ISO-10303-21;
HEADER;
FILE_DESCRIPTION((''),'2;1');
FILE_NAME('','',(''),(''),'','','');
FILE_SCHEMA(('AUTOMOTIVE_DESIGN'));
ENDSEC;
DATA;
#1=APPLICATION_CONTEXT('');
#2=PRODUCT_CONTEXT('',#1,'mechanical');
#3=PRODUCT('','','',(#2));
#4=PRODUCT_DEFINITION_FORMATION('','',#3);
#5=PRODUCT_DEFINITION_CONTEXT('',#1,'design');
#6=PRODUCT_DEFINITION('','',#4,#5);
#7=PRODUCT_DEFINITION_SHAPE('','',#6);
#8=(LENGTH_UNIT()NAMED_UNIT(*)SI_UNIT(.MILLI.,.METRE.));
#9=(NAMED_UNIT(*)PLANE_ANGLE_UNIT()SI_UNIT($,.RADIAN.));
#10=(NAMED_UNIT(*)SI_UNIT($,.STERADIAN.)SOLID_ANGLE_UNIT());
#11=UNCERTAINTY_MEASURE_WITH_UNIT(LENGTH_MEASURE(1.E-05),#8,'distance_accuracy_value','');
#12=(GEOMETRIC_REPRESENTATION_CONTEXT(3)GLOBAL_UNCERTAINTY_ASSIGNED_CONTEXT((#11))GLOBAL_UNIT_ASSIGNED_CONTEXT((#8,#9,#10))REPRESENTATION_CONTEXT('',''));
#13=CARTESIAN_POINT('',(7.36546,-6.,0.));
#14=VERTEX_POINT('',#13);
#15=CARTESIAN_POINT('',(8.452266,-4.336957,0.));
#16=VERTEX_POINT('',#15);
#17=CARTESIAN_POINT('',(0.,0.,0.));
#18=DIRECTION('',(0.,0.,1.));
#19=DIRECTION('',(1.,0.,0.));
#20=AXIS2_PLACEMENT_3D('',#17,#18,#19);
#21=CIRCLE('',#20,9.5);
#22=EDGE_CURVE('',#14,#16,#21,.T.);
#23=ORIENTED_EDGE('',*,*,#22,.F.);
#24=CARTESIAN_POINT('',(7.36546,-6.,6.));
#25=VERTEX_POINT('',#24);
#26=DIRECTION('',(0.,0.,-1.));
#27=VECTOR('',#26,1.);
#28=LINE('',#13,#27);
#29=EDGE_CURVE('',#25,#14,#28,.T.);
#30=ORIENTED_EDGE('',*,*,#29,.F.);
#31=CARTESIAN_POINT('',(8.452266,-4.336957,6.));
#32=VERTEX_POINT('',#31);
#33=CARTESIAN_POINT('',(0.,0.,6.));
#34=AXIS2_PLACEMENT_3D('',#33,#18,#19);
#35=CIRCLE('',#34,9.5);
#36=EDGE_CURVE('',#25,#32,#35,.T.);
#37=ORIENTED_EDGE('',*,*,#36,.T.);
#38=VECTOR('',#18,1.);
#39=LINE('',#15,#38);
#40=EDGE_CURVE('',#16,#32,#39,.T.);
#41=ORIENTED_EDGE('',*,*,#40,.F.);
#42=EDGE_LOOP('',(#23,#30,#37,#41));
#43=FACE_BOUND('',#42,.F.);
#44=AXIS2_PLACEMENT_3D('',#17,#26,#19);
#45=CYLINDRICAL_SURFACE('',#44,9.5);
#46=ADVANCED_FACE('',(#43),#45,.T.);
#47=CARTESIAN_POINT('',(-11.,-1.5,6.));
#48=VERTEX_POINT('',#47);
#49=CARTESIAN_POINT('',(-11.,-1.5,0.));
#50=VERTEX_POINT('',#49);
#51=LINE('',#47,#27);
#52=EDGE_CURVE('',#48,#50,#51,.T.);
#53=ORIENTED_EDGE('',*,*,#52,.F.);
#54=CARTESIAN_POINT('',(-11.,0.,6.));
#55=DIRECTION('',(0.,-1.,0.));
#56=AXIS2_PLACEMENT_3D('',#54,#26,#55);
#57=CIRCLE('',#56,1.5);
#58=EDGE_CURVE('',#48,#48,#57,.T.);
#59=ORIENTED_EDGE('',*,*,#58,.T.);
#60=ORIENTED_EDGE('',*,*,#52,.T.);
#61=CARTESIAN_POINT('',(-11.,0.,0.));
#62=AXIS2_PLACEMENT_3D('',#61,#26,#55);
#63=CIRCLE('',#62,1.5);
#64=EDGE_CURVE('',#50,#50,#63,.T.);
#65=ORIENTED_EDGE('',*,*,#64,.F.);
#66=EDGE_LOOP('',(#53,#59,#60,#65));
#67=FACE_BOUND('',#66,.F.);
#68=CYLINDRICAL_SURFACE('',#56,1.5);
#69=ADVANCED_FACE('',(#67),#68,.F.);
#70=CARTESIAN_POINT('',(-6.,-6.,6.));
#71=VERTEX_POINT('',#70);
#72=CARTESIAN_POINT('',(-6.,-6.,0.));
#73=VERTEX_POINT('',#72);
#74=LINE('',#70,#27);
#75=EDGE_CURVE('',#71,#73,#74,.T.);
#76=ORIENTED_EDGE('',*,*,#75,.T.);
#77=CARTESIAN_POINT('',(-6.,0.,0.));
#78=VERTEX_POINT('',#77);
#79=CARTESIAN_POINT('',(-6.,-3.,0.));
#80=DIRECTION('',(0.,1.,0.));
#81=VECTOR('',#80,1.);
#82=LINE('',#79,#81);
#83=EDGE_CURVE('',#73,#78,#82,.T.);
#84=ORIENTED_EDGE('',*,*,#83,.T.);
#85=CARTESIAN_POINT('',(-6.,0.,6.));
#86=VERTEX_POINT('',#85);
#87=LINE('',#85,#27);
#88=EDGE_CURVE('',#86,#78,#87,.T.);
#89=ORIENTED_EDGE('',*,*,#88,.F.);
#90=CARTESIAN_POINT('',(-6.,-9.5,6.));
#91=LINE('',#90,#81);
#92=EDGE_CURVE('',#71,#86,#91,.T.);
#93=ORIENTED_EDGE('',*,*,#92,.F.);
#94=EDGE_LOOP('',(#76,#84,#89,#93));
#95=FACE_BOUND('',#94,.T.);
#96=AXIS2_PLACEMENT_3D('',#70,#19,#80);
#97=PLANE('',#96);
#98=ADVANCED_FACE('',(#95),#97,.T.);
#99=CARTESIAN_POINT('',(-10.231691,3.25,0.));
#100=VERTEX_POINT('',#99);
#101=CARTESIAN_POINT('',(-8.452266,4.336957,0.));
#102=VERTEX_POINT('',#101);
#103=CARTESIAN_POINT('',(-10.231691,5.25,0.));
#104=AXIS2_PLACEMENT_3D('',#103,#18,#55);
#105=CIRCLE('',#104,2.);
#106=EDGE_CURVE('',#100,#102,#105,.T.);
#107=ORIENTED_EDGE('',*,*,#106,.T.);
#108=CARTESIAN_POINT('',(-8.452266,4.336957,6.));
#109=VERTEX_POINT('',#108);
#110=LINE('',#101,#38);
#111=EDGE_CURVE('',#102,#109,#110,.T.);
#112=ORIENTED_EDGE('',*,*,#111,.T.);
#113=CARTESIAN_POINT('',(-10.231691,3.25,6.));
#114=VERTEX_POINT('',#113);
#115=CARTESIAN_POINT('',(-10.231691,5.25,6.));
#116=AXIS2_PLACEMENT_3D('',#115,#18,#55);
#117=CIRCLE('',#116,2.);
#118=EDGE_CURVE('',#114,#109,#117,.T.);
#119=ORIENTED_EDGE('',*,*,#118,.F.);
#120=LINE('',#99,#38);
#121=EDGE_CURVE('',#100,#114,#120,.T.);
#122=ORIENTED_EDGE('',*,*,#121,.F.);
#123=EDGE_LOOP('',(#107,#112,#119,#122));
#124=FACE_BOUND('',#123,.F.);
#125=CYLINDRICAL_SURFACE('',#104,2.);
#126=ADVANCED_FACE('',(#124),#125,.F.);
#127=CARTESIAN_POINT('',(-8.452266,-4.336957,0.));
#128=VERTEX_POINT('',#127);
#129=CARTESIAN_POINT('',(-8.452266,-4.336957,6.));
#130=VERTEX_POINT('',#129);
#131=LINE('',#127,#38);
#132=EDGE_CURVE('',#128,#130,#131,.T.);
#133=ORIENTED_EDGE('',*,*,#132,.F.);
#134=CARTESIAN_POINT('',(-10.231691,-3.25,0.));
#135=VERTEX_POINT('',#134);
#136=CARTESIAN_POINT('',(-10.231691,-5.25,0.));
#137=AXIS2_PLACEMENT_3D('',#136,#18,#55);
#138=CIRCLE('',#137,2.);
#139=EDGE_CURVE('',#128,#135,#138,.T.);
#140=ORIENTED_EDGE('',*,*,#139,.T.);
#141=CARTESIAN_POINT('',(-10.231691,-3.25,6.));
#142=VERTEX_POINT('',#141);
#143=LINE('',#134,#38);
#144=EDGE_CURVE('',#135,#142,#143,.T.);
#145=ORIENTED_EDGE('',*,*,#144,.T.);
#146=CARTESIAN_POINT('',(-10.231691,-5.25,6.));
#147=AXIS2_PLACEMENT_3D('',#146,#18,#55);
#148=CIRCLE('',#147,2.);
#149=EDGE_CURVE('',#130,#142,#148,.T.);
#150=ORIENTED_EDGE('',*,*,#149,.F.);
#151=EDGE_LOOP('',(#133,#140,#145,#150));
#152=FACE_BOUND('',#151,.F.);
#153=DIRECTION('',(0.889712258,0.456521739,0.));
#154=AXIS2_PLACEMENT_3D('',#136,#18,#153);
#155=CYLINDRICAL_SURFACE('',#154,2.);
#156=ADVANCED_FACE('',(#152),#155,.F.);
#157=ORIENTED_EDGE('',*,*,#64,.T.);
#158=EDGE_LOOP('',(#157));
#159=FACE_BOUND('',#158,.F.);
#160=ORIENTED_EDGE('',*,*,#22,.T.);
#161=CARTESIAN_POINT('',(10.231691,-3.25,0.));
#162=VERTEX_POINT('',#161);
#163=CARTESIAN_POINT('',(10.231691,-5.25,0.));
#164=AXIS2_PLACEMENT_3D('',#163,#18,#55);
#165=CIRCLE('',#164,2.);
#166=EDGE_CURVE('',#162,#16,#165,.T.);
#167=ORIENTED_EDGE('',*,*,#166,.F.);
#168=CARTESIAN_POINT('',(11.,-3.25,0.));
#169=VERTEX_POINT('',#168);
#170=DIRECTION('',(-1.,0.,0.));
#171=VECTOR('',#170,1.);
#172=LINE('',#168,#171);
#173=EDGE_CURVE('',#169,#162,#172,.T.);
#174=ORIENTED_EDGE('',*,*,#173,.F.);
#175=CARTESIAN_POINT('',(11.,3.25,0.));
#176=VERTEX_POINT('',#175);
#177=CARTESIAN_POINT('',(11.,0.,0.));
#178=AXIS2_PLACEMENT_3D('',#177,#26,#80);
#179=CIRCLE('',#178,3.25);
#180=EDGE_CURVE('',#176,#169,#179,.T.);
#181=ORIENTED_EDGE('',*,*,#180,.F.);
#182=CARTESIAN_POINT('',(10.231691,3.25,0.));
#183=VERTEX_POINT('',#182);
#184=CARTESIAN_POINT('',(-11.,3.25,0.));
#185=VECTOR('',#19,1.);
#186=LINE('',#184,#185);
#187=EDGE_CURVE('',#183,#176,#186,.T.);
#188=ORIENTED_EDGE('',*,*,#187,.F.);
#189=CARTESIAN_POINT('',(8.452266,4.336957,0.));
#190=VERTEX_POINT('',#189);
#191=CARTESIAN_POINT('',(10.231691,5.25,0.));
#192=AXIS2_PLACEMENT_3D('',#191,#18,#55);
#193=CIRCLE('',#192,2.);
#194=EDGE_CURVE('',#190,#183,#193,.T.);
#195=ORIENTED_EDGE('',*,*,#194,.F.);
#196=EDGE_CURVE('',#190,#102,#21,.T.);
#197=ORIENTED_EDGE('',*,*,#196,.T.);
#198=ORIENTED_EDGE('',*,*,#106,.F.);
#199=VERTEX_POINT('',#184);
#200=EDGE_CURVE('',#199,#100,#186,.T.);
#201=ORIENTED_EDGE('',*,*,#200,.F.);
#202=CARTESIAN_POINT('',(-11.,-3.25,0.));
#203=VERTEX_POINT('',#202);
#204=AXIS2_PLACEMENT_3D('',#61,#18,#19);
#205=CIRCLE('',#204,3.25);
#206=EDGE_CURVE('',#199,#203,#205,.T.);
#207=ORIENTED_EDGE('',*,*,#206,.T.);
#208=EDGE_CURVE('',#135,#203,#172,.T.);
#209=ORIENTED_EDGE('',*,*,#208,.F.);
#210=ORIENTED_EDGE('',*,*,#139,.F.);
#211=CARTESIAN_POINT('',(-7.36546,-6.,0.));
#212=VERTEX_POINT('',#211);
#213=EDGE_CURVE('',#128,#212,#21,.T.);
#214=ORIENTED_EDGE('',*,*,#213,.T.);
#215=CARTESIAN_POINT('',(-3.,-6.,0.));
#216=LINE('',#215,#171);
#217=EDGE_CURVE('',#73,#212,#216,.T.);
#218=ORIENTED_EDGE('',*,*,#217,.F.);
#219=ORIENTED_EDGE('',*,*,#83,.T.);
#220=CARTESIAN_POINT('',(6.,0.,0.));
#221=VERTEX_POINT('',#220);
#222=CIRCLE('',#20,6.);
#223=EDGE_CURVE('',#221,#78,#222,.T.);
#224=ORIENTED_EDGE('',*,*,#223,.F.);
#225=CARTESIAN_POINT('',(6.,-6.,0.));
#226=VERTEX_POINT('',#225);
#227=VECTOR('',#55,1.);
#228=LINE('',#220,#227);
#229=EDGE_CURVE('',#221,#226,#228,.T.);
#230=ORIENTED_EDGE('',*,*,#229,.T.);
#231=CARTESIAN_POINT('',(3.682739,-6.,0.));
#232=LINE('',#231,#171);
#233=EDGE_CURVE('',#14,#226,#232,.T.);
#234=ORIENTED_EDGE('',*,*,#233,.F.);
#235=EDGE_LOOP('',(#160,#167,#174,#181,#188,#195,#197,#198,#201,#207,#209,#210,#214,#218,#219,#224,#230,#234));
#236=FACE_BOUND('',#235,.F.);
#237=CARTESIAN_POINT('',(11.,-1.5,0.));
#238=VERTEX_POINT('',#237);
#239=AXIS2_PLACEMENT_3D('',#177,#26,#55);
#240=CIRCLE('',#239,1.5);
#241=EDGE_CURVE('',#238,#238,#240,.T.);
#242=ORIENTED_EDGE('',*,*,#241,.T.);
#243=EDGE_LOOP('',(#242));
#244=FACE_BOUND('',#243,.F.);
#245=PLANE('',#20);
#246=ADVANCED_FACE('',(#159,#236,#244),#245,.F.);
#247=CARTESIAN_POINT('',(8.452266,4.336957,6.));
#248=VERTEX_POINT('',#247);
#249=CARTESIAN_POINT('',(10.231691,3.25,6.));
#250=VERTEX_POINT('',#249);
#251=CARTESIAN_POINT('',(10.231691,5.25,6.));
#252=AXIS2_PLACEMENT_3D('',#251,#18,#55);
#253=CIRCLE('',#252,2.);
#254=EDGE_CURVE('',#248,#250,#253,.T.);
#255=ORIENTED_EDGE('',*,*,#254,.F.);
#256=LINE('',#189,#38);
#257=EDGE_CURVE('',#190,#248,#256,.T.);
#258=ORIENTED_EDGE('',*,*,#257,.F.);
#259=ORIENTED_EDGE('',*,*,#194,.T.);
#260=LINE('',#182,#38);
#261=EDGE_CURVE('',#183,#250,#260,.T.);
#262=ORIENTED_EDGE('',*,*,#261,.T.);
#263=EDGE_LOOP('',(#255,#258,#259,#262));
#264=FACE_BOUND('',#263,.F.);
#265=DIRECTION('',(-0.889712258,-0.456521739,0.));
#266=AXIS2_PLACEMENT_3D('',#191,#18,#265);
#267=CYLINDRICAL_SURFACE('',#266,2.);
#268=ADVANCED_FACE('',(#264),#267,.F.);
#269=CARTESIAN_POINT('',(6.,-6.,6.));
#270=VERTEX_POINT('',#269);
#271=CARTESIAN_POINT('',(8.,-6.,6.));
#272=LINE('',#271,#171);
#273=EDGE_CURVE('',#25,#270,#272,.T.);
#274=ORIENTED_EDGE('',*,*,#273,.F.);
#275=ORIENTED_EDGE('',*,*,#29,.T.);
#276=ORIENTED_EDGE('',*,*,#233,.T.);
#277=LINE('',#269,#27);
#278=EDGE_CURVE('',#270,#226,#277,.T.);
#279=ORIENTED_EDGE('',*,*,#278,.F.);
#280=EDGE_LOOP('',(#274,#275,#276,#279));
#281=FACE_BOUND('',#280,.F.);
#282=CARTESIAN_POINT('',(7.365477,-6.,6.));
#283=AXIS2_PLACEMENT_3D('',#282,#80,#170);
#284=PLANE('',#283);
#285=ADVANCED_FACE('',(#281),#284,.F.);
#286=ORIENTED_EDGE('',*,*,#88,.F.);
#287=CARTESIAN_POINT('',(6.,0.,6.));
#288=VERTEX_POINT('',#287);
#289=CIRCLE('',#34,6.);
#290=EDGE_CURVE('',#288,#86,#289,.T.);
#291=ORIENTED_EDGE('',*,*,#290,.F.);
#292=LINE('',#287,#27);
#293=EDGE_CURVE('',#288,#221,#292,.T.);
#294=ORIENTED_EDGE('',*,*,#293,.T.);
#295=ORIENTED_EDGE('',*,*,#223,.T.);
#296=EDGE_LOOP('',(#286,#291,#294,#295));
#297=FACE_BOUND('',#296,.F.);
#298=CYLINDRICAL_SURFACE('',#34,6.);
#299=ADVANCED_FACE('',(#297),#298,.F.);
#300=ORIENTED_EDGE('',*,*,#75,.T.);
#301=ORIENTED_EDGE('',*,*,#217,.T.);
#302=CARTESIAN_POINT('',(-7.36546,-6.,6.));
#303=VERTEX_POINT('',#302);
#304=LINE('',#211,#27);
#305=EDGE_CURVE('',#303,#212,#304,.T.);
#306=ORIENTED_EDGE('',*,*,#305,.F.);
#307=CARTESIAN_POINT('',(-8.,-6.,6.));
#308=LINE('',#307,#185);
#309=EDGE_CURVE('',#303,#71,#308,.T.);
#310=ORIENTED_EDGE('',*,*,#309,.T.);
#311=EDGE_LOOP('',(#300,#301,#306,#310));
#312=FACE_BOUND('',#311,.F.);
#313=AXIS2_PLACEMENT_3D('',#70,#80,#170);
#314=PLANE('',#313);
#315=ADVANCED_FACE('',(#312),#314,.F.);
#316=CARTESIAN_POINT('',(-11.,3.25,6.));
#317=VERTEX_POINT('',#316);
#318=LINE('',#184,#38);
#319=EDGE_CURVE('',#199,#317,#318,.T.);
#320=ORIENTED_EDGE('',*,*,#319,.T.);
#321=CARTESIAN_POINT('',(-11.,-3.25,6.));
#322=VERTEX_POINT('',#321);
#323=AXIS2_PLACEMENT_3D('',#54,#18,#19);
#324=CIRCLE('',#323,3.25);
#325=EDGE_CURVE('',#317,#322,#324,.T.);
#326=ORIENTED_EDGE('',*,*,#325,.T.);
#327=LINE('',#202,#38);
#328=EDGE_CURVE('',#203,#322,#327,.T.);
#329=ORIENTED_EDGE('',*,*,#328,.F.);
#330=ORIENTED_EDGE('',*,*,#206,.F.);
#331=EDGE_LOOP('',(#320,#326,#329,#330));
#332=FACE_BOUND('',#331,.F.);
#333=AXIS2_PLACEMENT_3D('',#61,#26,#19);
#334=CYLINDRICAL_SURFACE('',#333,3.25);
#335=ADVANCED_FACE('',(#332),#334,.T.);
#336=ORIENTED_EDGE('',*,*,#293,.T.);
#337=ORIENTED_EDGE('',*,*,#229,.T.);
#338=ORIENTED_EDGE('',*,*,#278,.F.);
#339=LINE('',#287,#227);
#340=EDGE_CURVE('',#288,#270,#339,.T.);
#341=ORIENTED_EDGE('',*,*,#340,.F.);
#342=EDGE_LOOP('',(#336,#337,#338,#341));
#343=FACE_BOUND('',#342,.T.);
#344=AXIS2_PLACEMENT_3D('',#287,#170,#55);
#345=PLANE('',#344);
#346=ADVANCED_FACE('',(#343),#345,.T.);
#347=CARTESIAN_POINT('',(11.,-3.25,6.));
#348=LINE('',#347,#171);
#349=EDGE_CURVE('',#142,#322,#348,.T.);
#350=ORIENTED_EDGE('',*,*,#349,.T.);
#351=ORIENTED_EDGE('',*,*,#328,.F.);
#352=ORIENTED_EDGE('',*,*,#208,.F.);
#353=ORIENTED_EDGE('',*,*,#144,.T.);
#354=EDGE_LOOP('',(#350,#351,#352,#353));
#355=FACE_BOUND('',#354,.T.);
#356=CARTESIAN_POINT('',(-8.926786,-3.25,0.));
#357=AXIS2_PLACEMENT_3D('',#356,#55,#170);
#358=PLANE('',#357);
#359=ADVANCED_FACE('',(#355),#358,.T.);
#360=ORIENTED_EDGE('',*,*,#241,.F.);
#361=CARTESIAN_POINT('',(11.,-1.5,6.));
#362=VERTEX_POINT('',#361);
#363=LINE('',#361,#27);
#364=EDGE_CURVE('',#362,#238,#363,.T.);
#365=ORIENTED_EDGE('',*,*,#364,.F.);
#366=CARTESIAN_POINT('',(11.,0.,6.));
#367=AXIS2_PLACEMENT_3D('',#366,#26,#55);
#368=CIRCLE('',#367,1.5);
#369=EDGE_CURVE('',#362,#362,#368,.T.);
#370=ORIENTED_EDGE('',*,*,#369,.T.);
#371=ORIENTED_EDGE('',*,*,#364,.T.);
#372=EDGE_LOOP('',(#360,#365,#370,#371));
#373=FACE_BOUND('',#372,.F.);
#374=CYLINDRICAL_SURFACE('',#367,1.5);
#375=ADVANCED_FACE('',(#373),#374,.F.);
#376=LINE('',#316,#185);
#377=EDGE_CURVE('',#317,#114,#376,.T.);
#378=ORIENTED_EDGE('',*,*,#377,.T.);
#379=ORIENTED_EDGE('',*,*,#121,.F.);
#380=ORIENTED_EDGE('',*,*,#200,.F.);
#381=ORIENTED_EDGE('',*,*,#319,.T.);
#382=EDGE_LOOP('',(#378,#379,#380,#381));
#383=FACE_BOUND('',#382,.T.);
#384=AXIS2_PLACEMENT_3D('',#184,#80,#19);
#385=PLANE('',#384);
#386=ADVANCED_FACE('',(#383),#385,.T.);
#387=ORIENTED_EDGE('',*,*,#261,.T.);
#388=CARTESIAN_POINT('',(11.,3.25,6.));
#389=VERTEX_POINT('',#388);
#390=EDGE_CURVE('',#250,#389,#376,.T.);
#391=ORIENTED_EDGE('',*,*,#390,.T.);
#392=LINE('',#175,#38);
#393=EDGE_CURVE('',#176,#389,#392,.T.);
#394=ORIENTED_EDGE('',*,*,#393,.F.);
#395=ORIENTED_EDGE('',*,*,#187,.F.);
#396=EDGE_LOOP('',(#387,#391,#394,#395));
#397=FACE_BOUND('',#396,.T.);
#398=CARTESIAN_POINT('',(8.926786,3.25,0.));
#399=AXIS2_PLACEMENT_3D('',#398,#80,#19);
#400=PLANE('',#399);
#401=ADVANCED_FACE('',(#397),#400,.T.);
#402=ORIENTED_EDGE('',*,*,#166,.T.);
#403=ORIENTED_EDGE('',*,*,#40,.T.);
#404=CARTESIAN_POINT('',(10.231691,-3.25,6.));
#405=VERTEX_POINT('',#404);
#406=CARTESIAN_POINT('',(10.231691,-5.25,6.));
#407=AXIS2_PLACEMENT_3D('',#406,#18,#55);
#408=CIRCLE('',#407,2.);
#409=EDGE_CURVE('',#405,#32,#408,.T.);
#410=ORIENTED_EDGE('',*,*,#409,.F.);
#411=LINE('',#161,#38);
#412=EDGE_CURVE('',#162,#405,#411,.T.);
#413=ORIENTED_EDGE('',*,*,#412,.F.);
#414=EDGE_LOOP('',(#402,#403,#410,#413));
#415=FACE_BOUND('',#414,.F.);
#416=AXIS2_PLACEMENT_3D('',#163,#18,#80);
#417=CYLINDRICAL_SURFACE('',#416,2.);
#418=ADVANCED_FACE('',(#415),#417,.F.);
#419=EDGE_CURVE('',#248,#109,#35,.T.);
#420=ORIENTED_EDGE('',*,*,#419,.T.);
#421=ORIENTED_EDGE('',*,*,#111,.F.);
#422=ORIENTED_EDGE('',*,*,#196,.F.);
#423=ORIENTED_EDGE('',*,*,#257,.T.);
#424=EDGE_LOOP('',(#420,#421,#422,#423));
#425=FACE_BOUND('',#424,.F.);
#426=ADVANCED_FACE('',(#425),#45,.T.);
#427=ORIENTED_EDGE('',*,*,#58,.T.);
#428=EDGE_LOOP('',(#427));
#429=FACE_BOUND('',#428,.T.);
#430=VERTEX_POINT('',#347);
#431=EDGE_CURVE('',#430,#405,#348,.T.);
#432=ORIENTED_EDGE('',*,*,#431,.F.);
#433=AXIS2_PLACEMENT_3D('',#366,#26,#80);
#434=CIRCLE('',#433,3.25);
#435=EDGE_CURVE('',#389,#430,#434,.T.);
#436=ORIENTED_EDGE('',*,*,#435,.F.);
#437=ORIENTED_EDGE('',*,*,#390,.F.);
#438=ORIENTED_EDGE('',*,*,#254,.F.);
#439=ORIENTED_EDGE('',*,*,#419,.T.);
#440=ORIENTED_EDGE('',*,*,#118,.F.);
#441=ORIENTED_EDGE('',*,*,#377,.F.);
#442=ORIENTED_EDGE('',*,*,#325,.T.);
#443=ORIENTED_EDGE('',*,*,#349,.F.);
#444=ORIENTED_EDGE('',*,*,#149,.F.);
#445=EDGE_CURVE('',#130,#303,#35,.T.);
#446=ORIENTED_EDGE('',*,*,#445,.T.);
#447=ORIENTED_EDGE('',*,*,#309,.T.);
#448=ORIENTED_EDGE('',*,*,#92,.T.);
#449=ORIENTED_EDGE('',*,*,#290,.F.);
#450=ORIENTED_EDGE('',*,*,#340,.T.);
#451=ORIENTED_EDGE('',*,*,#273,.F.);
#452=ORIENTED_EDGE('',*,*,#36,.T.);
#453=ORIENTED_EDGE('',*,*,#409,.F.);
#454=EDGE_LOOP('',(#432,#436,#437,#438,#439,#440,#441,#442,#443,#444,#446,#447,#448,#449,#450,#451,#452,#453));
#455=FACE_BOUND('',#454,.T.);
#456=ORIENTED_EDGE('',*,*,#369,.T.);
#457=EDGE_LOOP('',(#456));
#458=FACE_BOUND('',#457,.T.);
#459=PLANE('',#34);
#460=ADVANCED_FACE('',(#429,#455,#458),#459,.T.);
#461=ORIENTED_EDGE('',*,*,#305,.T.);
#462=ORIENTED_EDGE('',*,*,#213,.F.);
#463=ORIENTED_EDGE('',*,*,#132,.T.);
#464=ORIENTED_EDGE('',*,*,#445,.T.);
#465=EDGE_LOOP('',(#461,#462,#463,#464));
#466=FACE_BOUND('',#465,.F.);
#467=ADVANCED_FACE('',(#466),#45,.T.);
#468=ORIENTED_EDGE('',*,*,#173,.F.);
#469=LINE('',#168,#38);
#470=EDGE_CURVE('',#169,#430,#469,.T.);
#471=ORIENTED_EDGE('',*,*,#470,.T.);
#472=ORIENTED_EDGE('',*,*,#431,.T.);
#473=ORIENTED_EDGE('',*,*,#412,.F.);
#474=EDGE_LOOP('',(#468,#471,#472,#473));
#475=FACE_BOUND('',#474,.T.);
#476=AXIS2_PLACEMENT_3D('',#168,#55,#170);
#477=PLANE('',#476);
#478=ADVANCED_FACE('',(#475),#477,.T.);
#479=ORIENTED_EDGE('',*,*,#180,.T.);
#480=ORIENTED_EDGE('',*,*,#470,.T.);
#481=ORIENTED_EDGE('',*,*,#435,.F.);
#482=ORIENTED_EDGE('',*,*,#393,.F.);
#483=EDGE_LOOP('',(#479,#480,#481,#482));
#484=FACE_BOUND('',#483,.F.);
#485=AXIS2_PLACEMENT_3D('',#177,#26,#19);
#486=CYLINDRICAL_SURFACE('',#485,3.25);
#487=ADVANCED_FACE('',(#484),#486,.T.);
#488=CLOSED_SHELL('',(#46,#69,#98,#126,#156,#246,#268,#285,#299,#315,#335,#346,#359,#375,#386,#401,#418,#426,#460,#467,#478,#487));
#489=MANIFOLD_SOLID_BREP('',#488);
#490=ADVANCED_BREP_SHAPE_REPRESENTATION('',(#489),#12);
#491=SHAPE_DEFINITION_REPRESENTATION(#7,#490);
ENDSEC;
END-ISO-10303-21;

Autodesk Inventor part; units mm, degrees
ref_plane "YZ Plane" through (0, 0, 0) normal (1, 0, 0) x (0, 1, 0)
ref_plane "XZ Plane" through (0, 0, 0) normal (0, 1, 0) x (-1, 0, 0)
ref_plane "XY Plane" through (0, 0, 0) normal (0, 0, 1) x (1, 0, 0)
sketch "Sketch1" plane through (0, 0, 0) normal (0, 0, 1) x (1, 0, 0)
  circle A0 centre (0, 0) radius 9.5
  circle A1 centre (-11, 0) radius 3.25
  circle A2 centre (11, 0) radius 3.25
  line L0 (-11, 3.25) -> (11, 3.25)
  line L1 (11, 3.25) -> (11, -3.25)
  line L2 (11, -3.25) -> (-11, -3.25)
  line L3 (-11, -3.25) -> (-11, 3.25)
  dimension "d15" = 6.5
  dimension "d17" = 6.5
  dimension "d12" = 19
  dimension "d16" = 11
  dimension "d18" = 11
extrude "Extrusion1" add sketch "Sketch1" along normal blind 6
sketch "草圖4" plane through (0, 0, 6) normal (0, 0, 1) x (1, 0, 0)
  arc A0 (-8.9268, -3.25) -> (8.9268, -3.25) centre (0, 0) ccw projected
  circle A1 centre (0, 0) radius 6
  line L0 (-6, 0) -> (6, 0)
  line L1 (6, 0) -> (6, -9.5)
  line L2 (6, -9.5) -> (-6, -9.5)
  line L3 (-6, -9.5) -> (-6, 0)
  line L4 (-8, -9.5) -> (8, -9.5)
  line L5 (8, -9.5) -> (8, -6)
  line L6 (8, -6) -> (-8, -6)
  line L7 (-8, -6) -> (-8, -9.5)
  dimension "d19" = 12
  dimension "d23" = 6
  dimension "d24" = 3.5
  dimension "d26" = 16
  dimension "d27" = 8
extrude "擠出2" cut sketch "草圖4" against normal through all
fillet "圓角2" radius 2 4 edges at (8.9268, -3.25, 3) (-8.9268, -3.25, 3) (8.9268, 3.25, 3) (-8.9268, 3.25, 3)
sketch "草圖5" plane through (0, 0, 6) normal (0, 0, 1) x (1, 0, 0)
  arc A0 (14.25, 0) -> (11, 3.25) centre (11, 0) ccw projected
  arc A1 (-11, 3.25) -> (-11, -3.25) centre (-11, 0) ccw projected
hole "孔2" at (-11, 0, 6) at (11, 0, 6) direction (0, 0, -1) diameter 3 end through all
properties part number "plastic_part_13"
